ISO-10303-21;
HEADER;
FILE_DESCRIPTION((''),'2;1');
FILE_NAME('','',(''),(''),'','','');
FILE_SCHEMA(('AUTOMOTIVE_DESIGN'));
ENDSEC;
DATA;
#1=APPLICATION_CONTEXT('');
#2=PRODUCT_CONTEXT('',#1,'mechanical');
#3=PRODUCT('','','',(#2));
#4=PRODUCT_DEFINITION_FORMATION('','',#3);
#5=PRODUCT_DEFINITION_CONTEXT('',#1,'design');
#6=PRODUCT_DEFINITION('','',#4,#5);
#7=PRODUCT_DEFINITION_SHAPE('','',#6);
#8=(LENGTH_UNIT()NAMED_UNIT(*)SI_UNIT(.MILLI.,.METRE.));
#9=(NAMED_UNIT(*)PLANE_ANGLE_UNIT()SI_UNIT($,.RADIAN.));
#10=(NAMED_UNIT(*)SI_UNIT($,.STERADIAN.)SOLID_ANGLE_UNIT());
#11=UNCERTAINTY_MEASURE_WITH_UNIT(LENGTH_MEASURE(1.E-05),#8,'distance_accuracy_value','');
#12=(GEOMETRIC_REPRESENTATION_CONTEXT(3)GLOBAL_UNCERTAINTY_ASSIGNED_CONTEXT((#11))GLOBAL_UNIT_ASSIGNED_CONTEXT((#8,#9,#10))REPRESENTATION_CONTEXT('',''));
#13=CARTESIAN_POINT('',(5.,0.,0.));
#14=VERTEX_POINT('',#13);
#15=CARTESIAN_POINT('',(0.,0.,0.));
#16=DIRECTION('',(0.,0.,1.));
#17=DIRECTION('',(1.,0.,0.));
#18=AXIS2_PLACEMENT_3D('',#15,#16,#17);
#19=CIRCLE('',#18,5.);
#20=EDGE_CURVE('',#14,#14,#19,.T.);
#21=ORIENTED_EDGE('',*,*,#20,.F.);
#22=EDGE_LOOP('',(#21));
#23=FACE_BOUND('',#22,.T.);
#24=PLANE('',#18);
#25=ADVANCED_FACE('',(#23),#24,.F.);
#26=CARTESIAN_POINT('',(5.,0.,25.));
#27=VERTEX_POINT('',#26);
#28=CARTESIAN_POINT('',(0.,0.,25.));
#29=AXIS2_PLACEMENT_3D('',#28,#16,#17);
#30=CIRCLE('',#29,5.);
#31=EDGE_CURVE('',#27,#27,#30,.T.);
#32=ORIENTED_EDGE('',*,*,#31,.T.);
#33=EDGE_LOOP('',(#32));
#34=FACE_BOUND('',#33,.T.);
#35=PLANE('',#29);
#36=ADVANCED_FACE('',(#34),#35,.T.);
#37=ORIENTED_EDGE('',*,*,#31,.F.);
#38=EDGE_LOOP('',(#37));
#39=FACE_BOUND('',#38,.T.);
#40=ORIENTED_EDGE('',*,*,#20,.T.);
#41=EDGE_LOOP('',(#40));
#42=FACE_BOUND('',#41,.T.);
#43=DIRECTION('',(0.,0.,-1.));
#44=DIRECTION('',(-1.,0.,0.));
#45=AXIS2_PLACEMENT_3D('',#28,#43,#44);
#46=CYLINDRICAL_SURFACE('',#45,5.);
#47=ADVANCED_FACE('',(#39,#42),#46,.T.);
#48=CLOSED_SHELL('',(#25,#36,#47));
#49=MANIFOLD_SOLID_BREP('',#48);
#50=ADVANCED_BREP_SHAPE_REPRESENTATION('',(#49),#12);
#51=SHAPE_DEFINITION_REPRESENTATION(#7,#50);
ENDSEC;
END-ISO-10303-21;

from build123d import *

# Parameters (mm, degrees)
CROQUIS1_R              = 5
SALIENTE_EXTRUIR1_DEPTH = 25


with BuildPart() as part:
    # Croquis1 → Saliente-Extruir1 (new body)
    with BuildSketch(Plane.XY):
        Circle(CROQUIS1_R)
    extrude(amount=SALIENTE_EXTRUIR1_DEPTH)


solid = part.part
